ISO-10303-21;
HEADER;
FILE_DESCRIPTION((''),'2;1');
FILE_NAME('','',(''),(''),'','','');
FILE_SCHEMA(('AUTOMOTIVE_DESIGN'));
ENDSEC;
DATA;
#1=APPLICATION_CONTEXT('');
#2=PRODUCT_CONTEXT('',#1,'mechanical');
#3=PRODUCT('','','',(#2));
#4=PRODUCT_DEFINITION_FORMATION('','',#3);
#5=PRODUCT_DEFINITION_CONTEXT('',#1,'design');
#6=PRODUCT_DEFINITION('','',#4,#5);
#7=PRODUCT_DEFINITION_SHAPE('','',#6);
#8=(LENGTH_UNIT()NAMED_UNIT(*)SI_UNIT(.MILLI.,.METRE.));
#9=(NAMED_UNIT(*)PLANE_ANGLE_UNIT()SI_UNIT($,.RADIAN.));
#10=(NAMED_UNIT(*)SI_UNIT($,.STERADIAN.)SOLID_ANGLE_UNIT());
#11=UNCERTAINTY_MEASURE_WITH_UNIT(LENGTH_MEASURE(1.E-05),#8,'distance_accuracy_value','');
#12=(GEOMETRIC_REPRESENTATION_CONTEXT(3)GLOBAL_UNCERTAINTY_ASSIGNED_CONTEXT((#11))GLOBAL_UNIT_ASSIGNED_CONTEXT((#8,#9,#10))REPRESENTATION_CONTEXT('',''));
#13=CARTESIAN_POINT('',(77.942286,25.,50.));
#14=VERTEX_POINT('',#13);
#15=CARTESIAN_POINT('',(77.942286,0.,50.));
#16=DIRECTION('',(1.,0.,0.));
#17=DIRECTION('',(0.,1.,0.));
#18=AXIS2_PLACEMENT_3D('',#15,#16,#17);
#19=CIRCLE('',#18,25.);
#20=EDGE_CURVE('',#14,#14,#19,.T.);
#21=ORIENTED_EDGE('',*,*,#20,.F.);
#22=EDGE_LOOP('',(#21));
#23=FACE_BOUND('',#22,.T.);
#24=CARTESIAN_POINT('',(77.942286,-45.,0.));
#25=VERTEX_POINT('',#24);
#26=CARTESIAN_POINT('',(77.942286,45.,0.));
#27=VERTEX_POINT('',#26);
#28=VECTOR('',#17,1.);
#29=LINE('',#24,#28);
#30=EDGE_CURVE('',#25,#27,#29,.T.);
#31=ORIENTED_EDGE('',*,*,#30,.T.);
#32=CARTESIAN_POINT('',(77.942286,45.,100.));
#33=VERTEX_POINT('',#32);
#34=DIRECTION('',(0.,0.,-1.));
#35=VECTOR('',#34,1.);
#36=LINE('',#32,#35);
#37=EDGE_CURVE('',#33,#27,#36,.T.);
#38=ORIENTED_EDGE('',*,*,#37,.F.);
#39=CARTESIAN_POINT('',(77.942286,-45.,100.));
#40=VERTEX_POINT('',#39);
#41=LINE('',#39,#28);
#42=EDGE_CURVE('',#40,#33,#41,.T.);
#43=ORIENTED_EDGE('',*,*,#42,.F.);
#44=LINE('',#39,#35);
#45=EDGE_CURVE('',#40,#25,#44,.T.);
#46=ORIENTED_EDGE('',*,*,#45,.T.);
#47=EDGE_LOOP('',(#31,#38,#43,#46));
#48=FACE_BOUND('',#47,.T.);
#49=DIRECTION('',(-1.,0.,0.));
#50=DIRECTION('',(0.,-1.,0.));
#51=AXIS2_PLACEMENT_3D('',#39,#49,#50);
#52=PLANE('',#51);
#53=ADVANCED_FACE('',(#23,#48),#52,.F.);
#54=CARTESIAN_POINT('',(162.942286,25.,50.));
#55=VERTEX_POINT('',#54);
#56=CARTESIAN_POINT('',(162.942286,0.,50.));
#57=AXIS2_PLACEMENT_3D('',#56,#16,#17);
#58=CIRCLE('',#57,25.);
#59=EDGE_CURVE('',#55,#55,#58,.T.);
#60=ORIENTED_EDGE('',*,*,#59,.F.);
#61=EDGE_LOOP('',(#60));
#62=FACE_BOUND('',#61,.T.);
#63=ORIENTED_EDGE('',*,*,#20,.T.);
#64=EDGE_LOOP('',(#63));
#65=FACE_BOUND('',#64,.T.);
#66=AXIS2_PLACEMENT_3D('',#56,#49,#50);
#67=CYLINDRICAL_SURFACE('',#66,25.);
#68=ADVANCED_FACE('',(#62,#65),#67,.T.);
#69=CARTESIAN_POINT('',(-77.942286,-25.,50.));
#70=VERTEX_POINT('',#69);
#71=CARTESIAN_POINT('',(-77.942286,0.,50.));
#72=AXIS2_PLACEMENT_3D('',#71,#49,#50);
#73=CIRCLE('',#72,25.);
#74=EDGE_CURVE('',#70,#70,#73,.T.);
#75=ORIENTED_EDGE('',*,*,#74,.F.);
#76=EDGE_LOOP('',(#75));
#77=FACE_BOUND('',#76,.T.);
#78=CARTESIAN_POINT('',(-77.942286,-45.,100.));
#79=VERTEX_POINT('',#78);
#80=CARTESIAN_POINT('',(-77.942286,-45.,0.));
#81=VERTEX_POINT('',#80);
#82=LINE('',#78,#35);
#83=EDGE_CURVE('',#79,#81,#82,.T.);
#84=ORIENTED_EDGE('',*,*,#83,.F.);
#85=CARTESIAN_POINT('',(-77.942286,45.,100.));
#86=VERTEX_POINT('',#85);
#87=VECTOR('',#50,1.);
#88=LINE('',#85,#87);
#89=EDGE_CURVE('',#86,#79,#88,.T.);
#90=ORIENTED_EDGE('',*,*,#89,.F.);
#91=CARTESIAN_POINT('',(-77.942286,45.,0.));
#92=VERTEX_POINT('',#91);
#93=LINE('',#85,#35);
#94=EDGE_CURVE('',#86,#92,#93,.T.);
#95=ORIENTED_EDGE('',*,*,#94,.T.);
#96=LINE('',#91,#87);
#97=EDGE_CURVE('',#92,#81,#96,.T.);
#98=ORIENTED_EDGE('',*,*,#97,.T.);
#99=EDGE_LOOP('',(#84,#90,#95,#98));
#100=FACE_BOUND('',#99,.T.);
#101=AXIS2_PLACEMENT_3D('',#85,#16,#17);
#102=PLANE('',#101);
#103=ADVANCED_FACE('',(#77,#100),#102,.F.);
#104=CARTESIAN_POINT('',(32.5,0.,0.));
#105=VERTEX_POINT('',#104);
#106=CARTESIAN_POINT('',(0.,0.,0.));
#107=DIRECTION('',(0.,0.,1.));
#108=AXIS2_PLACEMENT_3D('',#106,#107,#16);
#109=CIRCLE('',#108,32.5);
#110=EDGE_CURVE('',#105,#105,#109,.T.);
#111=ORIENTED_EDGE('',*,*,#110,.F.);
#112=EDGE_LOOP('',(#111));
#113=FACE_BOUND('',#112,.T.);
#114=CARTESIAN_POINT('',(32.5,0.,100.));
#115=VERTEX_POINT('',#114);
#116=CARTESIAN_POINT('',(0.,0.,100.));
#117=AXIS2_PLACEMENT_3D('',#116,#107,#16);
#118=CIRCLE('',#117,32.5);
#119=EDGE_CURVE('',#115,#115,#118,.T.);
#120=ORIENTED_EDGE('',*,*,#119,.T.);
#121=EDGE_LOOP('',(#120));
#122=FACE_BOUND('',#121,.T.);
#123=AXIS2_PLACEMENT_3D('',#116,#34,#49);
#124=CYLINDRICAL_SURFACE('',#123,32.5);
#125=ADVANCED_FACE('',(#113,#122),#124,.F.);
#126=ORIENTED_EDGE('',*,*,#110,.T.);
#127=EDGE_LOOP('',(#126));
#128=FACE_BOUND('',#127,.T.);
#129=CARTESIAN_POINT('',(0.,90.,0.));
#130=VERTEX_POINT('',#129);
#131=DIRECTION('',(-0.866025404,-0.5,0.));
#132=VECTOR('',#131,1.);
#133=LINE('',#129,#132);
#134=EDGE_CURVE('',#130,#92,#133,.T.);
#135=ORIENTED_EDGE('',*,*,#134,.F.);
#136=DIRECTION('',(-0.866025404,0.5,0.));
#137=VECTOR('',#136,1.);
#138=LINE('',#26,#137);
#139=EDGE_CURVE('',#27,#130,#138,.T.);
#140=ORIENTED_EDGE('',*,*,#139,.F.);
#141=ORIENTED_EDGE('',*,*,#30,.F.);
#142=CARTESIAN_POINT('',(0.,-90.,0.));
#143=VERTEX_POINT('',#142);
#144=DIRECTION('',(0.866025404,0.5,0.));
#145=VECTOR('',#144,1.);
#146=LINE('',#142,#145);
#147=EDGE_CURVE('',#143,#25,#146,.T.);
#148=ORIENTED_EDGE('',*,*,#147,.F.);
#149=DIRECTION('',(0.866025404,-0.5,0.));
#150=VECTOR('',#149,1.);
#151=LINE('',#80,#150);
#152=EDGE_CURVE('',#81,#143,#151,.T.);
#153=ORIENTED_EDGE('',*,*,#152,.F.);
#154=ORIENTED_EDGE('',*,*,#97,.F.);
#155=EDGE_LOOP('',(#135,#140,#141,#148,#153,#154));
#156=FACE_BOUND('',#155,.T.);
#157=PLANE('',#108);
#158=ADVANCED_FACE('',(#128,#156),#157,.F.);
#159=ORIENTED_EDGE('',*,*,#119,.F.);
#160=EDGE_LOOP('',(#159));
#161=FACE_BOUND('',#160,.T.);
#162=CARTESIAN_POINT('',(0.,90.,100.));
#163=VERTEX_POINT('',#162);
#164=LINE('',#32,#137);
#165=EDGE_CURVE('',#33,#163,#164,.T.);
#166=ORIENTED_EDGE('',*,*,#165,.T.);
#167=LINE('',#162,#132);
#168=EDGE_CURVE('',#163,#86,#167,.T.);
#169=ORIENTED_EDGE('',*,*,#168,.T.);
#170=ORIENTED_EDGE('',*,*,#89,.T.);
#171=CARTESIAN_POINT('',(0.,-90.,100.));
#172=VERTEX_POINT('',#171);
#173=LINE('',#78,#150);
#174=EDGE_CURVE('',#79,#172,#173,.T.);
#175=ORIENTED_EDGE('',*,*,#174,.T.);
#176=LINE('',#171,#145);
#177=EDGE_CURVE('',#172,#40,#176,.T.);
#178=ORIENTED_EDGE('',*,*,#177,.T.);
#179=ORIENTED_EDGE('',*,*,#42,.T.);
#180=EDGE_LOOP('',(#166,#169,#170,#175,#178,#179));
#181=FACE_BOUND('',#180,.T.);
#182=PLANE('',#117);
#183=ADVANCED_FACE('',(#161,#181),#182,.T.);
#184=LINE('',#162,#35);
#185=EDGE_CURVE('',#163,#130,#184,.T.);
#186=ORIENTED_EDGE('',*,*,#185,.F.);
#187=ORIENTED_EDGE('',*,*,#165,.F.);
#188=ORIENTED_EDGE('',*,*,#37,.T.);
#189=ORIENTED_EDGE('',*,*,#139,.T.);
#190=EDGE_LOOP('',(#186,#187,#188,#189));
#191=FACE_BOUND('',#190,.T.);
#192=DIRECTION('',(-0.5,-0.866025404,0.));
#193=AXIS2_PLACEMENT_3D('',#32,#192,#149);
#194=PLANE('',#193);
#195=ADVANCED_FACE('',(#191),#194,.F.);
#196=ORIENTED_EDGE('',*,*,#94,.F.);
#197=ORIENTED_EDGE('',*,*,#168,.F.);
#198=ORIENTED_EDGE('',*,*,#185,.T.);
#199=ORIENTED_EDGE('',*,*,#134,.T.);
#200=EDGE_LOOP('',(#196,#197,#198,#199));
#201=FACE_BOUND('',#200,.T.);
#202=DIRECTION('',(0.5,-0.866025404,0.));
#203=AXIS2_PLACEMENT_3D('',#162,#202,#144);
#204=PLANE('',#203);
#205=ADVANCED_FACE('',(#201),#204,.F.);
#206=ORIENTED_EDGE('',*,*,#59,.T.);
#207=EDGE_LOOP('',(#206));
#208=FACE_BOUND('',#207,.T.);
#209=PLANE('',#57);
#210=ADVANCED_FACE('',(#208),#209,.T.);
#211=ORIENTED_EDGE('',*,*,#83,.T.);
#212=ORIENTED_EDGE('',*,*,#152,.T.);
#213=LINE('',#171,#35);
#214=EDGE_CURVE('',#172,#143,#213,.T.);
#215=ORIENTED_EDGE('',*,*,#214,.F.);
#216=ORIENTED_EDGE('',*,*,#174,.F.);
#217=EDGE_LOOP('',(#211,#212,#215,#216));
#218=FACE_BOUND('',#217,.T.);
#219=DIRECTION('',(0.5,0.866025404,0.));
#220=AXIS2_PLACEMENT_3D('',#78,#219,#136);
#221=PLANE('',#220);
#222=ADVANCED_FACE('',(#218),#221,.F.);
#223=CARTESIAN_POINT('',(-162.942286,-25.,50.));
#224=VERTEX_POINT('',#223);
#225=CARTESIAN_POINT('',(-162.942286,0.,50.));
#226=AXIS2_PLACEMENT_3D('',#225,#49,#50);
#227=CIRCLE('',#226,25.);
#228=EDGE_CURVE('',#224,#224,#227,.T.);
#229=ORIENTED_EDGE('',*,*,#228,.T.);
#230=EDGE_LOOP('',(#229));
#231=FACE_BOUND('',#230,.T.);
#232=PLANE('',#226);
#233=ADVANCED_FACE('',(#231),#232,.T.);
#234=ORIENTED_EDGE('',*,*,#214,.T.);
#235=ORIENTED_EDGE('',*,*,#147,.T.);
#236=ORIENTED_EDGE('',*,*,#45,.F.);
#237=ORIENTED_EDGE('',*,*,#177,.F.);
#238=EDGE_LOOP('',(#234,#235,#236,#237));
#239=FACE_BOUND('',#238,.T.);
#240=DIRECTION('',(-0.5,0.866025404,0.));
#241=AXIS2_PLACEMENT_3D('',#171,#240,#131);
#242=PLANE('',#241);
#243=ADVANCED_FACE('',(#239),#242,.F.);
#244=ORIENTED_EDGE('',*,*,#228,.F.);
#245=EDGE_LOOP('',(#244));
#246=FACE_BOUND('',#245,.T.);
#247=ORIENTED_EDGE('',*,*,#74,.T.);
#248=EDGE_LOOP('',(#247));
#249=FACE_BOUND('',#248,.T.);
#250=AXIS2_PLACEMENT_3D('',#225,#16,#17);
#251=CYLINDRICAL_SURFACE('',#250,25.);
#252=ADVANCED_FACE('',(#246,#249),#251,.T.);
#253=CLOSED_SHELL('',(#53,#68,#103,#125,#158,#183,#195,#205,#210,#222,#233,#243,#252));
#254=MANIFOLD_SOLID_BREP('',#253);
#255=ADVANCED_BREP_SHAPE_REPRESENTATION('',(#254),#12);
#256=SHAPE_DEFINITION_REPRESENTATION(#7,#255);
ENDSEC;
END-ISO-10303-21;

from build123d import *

# Parameters (mm, degrees)
SKETCH1_R           = 32.5
BOSS_EXTRUDE1_DEPTH = 100
SKETCH2_R           = 25
BOSS_EXTRUDE2_DEPTH = 85
BOSS_EXTRUDE3_START = 85
SKETCH3_R           = 25
BOSS_EXTRUDE3_DEPTH = 85


with BuildPart() as part:
    # Sketch1 → Boss-Extrude1 (new body)
    with BuildSketch(Plane.XY):
        Polygon((0, -90), (77.942286341, -45), (77.942286341, 45), (0, 90), (-77.942286341, 45), (-77.942286341, -45), align=None)
        Circle(SKETCH1_R, mode=Mode.SUBTRACT)
    extrude(amount=BOSS_EXTRUDE1_DEPTH)

    # Sketch2 → Boss-Extrude2 (add)
    with BuildSketch(Plane(origin=(77.942286341, 0, 0), x_dir=(0, 0, -1), z_dir=(1, 0, 0))):
        with Locations(Location((-50, 0, 0), (0, 0, 90))):
            Circle(SKETCH2_R)
    extrude(amount=BOSS_EXTRUDE2_DEPTH)

    # Sketch3 → Boss-Extrude3 (add)
    with BuildSketch(Plane.ZY.offset(77.942286341).offset(BOSS_EXTRUDE3_START)):
        with Locations(Location((50, 0, 0), (0, 0, 90))):
            Circle(SKETCH3_R)
    extrude(amount=-BOSS_EXTRUDE3_DEPTH)


solid = part.part
